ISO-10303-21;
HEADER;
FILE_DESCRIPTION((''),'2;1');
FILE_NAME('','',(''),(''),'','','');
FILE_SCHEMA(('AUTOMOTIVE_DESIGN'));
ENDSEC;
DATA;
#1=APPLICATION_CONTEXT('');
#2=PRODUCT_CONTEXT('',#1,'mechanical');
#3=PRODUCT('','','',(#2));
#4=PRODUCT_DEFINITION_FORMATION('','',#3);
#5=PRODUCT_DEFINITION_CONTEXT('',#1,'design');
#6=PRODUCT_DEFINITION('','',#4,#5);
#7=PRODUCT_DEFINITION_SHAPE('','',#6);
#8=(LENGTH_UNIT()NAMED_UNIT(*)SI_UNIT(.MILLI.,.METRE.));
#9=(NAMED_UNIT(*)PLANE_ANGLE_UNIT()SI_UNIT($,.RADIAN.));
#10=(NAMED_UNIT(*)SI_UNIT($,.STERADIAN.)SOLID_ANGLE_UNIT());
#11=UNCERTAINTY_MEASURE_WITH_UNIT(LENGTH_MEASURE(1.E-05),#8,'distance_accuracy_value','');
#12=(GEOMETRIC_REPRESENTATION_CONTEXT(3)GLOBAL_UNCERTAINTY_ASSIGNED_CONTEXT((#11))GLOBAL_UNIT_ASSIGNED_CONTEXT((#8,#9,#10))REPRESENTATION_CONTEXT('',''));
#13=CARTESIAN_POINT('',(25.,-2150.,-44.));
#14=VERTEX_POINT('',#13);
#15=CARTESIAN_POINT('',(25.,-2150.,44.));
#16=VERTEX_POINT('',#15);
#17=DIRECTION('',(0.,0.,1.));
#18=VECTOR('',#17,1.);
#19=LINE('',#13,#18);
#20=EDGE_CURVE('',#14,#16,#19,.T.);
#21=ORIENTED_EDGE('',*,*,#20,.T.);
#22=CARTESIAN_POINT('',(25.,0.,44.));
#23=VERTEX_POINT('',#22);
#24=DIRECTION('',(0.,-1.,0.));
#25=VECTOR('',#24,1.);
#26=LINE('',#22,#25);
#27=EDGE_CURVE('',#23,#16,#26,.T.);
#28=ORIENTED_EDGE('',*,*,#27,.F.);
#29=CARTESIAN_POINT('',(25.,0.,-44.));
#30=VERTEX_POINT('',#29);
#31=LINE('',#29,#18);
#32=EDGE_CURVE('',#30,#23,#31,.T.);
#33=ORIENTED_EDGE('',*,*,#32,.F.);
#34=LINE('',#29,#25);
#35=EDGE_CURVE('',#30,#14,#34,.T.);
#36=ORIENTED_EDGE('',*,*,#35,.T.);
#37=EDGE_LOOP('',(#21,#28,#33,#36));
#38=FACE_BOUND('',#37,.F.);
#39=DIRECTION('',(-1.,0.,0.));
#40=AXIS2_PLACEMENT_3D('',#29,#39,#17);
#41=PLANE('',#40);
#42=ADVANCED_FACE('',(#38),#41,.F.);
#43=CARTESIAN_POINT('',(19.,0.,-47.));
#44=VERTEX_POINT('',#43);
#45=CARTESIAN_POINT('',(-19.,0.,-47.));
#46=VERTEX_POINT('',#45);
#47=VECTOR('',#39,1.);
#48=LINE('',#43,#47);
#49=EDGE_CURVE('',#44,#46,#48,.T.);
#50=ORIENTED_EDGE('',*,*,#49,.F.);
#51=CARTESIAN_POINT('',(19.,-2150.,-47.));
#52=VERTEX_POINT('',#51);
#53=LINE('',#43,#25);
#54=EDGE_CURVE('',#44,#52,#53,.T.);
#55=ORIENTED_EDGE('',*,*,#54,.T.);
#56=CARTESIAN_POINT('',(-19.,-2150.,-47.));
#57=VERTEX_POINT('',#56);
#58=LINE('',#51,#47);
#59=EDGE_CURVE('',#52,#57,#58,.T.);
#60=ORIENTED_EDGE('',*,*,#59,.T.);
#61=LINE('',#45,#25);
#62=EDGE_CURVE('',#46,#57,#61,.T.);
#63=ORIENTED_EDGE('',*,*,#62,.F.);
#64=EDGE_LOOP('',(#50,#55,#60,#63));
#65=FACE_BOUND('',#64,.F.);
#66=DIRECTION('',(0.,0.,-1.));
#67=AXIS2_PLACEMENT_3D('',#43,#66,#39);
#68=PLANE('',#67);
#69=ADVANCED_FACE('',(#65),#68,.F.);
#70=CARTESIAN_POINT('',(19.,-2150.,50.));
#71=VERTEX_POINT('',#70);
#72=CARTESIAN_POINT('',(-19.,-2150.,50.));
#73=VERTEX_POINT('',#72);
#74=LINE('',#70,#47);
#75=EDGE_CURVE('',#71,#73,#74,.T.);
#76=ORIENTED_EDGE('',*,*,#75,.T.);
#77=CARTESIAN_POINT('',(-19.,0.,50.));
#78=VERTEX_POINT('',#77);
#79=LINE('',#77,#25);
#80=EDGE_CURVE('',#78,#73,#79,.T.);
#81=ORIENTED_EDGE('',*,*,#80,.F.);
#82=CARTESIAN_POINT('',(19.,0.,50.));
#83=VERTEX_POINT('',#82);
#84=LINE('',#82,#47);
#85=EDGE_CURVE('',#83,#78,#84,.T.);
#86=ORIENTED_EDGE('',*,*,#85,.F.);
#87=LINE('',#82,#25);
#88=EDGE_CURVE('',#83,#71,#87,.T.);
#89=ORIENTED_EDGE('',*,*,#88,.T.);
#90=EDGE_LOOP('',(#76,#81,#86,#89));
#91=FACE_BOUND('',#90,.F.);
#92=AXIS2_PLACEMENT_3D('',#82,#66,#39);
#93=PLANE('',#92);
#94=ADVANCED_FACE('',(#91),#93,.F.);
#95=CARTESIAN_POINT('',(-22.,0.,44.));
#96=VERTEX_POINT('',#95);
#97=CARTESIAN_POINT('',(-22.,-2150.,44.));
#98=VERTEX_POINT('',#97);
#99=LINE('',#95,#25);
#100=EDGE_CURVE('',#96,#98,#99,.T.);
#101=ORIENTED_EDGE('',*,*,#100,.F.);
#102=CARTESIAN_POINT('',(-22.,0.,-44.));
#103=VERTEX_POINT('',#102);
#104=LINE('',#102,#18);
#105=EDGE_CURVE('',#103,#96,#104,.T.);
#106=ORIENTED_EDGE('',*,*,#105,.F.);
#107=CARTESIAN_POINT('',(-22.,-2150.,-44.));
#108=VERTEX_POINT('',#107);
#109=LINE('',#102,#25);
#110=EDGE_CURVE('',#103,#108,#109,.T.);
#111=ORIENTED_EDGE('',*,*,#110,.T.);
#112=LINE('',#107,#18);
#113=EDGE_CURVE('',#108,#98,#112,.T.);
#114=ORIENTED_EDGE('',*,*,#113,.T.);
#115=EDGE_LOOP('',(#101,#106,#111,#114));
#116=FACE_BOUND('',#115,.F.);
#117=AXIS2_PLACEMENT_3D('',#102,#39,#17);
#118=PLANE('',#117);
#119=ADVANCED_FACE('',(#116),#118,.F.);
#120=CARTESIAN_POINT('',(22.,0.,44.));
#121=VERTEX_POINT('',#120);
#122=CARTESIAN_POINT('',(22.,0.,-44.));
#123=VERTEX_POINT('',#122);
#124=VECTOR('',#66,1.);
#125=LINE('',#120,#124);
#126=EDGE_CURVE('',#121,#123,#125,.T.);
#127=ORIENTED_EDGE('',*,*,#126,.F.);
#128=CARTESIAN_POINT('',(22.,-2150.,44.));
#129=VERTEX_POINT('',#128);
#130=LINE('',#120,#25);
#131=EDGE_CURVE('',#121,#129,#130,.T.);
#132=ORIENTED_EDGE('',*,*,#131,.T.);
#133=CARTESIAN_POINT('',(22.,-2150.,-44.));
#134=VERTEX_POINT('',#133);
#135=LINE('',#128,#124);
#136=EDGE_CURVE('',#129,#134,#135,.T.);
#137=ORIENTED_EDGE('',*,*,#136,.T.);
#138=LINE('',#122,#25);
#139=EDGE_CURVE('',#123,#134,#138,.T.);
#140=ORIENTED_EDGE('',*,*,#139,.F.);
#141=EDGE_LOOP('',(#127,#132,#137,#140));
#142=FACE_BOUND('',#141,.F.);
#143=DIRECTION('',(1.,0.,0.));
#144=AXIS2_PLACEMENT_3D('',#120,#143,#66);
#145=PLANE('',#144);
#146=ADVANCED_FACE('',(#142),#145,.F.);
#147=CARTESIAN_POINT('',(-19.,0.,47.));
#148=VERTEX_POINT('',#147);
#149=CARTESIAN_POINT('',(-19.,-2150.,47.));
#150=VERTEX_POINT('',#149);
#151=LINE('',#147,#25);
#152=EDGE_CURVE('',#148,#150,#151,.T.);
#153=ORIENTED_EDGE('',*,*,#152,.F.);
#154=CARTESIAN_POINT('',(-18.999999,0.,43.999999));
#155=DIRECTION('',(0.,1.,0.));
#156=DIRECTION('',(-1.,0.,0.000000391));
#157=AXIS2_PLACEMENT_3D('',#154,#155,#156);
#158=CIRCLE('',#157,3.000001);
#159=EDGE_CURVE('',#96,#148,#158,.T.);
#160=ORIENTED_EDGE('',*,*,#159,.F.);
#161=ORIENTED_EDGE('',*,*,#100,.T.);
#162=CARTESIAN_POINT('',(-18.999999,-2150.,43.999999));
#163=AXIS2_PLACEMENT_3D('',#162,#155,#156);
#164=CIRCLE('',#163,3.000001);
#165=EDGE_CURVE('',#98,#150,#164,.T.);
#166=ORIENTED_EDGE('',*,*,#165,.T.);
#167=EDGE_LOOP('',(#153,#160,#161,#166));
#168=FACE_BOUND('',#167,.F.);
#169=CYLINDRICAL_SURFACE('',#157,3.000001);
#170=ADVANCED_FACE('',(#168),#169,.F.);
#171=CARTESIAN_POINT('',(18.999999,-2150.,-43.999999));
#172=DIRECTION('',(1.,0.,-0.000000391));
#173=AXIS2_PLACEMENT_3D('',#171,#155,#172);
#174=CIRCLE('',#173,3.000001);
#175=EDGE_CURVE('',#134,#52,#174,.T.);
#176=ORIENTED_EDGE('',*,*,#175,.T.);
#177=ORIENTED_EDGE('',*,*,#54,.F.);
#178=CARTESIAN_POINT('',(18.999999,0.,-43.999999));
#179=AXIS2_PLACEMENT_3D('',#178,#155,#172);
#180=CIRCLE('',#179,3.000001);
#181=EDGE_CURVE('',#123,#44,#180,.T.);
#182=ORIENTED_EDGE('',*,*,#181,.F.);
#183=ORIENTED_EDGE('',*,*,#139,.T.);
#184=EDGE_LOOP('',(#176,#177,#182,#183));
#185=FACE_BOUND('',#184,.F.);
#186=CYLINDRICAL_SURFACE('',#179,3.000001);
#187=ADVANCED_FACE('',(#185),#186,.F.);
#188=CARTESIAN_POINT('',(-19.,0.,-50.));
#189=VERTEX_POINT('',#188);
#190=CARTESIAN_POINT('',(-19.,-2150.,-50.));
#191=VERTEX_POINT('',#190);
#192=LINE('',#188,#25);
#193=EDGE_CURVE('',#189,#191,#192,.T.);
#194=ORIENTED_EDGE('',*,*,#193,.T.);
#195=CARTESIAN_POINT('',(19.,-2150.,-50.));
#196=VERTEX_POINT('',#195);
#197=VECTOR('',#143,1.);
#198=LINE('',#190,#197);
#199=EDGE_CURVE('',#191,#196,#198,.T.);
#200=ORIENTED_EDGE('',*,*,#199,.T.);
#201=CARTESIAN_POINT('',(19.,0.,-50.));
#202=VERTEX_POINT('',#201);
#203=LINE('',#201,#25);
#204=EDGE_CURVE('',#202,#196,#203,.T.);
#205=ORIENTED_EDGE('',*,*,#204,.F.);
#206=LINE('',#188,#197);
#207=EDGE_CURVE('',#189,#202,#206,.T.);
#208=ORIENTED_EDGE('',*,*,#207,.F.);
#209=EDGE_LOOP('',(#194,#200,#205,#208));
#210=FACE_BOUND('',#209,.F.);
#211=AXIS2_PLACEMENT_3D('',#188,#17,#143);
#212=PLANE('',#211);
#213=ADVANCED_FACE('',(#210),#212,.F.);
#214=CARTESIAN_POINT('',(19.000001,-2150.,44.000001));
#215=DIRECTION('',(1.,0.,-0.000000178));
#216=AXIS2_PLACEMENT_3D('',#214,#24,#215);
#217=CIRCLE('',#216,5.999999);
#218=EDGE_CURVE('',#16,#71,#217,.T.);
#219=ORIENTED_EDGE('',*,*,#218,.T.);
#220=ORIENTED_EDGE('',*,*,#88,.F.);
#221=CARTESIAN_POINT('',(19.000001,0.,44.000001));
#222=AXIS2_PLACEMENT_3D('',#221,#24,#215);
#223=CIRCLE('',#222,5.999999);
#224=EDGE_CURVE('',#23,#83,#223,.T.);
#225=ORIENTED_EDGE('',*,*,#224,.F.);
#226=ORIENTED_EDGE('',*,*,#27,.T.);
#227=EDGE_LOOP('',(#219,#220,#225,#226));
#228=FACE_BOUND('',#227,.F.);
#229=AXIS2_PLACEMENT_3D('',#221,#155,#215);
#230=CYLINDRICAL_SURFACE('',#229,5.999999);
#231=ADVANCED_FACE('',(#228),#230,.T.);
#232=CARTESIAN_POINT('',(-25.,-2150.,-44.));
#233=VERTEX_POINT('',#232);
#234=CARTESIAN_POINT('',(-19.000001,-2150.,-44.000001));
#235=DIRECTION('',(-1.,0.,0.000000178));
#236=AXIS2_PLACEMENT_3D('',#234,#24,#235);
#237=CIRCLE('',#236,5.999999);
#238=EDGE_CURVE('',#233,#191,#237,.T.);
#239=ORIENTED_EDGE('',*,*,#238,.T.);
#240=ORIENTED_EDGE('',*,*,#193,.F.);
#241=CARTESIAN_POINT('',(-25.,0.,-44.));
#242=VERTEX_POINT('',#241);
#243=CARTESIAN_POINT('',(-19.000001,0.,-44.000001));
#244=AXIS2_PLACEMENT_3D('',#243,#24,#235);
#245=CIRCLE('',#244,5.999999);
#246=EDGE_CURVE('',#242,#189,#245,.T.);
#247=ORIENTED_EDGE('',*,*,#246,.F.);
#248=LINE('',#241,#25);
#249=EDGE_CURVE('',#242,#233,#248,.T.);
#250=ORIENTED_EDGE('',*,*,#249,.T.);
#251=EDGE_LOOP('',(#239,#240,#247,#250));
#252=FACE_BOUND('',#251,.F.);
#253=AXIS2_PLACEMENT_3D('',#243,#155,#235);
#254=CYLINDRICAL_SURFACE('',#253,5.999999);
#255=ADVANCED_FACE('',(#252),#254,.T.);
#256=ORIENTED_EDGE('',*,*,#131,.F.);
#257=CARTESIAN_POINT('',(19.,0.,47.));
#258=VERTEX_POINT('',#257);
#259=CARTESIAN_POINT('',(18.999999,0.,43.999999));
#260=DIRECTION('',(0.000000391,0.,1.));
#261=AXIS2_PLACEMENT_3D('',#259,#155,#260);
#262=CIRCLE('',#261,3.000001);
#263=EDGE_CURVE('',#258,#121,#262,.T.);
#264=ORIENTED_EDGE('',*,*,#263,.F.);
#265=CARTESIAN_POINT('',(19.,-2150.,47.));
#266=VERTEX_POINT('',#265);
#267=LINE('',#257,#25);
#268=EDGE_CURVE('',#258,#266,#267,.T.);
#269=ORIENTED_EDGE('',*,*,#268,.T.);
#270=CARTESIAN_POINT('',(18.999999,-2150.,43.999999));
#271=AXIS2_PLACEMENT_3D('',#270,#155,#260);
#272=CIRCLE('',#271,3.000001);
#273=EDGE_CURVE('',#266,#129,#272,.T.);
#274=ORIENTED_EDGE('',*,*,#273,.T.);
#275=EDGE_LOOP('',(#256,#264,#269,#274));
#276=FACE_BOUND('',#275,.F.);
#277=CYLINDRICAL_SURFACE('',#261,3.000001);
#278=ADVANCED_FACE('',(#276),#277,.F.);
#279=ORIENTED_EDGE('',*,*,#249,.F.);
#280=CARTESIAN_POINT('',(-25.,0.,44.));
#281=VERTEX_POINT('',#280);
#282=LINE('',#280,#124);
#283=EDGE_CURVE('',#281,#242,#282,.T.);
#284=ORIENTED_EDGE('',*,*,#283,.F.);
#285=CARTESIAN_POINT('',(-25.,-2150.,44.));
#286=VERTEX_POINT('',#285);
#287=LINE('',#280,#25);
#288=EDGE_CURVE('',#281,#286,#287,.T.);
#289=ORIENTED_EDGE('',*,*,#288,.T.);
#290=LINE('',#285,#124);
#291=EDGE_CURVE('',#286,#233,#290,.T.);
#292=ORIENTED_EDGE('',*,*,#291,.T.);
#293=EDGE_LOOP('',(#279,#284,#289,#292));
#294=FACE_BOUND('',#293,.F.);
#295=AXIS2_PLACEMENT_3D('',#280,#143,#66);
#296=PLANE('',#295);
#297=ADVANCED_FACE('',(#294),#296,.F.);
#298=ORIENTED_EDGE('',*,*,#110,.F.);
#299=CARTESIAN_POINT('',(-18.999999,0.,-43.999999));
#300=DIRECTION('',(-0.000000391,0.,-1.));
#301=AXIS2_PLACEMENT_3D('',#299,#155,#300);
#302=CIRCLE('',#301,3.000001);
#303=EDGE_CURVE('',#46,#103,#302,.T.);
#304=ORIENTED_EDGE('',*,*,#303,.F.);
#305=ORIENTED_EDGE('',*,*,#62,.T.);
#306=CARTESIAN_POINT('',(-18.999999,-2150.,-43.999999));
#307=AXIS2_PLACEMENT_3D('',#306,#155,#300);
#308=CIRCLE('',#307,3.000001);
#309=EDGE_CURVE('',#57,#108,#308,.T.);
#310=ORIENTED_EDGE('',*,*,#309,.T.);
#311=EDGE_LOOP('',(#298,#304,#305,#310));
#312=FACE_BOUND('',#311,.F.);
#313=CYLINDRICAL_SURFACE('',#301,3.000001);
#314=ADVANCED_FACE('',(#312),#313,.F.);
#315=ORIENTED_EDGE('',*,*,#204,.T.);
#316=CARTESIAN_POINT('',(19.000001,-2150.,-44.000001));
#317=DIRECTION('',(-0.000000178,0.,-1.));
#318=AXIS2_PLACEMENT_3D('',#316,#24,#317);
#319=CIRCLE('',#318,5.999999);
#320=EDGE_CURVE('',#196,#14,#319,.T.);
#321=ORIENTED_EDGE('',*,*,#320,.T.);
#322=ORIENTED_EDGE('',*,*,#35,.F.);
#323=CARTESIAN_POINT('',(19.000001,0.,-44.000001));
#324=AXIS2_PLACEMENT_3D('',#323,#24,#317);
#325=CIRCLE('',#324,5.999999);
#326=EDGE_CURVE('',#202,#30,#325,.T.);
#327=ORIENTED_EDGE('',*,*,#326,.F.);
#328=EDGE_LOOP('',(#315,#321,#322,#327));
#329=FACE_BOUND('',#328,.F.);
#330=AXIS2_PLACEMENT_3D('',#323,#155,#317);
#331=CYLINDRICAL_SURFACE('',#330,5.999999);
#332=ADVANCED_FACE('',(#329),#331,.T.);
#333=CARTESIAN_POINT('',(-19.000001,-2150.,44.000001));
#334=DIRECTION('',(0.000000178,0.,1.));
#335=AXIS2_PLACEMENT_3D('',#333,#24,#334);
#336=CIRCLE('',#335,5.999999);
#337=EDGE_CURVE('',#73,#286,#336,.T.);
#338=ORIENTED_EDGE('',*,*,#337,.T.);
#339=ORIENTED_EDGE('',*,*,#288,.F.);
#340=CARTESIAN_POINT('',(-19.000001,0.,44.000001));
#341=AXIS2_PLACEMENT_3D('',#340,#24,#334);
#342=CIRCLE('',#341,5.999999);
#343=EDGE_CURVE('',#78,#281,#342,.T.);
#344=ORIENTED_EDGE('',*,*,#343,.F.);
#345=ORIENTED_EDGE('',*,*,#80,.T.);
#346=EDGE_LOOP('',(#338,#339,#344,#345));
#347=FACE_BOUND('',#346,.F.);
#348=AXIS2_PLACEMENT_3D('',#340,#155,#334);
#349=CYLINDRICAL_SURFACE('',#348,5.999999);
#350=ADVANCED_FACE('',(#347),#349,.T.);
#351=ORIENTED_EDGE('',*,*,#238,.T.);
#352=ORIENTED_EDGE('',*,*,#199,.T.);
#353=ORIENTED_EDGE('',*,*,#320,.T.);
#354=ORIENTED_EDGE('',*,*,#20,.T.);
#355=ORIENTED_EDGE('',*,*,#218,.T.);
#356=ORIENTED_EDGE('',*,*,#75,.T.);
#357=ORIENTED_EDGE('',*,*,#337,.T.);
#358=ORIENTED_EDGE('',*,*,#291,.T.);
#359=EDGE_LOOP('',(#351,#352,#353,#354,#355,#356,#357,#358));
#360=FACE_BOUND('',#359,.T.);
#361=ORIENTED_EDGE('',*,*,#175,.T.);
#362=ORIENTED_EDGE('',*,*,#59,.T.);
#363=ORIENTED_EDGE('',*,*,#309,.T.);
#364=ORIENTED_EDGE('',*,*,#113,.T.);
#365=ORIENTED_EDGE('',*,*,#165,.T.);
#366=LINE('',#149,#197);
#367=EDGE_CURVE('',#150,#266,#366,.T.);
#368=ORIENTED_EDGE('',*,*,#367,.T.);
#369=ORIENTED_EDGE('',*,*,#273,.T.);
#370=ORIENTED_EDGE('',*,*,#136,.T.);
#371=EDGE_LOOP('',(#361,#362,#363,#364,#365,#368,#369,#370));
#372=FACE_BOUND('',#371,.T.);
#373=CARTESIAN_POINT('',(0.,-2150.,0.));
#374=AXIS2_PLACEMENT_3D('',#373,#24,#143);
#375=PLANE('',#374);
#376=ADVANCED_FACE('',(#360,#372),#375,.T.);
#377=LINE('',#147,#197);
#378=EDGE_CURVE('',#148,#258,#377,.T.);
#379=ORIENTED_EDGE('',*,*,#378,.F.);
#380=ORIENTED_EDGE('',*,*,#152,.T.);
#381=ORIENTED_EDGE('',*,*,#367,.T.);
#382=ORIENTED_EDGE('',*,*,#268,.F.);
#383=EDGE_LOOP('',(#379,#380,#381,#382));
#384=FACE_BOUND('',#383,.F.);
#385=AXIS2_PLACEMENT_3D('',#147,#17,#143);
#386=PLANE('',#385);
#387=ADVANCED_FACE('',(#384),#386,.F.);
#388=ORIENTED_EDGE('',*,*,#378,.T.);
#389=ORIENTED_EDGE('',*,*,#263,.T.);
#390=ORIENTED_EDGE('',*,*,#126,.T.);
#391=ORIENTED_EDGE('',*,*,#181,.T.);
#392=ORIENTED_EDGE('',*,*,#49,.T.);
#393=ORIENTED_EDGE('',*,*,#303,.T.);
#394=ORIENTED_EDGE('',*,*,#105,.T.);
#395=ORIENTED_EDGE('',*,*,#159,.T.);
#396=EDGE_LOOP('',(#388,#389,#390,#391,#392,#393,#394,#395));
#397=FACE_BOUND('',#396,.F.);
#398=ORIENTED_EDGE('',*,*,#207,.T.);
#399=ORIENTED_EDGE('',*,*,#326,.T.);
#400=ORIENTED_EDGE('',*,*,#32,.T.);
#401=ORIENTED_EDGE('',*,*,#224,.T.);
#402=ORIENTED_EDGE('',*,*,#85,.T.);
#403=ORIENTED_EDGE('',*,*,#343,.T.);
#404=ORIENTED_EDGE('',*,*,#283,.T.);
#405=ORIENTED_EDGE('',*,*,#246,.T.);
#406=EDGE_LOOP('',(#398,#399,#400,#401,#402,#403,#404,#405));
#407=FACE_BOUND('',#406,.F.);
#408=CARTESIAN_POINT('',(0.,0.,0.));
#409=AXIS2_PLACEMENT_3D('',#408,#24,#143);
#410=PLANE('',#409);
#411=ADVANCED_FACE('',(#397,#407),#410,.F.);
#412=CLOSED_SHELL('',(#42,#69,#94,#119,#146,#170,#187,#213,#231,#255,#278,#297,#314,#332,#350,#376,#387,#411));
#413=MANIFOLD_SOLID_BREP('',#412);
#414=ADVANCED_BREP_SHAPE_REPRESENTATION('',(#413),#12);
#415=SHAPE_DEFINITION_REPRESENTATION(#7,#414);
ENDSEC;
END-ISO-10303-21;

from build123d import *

# Parameters (mm, degrees)
F1_DEPTH = 2150


with BuildPart() as f1:
    # F0 (on Front) → F1 (new body)
    with BuildSketch(Plane.XZ):
        with BuildLine():
            Line((19, 50), (0, 50))
            Line((0, 50), (-19, 50))
            ThreePointArc((-19, 50), (-23.242641, 48.242641), (-25, 44))
            Line((-25, 44), (-25, -44))
            ThreePointArc((-25, -44), (-23.242641, -48.242641), (-19, -50))
            Line((-19, -50), (0, -50))
            Line((0, -50), (19, -50))
            ThreePointArc((19, -50), (23.242641, -48.242641), (25, -44))
            Line((25, -44), (25, 44))
            ThreePointArc((25, 44), (23.242641, 48.242641), (19, 50))
        make_face()
        with BuildLine():
            Line((-19, 47), (0, 47))
            Line((0, 47), (19, 47))
            ThreePointArc((19, 47), (21.12132, 46.12132), (22, 44))
            Line((22, 44), (22, -44))
            ThreePointArc((22, -44), (21.12132, -46.12132), (19, -47))
            Line((19, -47), (0, -47))
            Line((0, -47), (-19, -47))
            ThreePointArc((-19, -47), (-21.12132, -46.12132), (-22, -44))
            Line((-22, -44), (-22, 44))
            ThreePointArc((-22, 44), (-21.12132, 46.12132), (-19, 47))
        make_face(mode=Mode.SUBTRACT)
    extrude(amount=F1_DEPTH)


solid = f1.part
